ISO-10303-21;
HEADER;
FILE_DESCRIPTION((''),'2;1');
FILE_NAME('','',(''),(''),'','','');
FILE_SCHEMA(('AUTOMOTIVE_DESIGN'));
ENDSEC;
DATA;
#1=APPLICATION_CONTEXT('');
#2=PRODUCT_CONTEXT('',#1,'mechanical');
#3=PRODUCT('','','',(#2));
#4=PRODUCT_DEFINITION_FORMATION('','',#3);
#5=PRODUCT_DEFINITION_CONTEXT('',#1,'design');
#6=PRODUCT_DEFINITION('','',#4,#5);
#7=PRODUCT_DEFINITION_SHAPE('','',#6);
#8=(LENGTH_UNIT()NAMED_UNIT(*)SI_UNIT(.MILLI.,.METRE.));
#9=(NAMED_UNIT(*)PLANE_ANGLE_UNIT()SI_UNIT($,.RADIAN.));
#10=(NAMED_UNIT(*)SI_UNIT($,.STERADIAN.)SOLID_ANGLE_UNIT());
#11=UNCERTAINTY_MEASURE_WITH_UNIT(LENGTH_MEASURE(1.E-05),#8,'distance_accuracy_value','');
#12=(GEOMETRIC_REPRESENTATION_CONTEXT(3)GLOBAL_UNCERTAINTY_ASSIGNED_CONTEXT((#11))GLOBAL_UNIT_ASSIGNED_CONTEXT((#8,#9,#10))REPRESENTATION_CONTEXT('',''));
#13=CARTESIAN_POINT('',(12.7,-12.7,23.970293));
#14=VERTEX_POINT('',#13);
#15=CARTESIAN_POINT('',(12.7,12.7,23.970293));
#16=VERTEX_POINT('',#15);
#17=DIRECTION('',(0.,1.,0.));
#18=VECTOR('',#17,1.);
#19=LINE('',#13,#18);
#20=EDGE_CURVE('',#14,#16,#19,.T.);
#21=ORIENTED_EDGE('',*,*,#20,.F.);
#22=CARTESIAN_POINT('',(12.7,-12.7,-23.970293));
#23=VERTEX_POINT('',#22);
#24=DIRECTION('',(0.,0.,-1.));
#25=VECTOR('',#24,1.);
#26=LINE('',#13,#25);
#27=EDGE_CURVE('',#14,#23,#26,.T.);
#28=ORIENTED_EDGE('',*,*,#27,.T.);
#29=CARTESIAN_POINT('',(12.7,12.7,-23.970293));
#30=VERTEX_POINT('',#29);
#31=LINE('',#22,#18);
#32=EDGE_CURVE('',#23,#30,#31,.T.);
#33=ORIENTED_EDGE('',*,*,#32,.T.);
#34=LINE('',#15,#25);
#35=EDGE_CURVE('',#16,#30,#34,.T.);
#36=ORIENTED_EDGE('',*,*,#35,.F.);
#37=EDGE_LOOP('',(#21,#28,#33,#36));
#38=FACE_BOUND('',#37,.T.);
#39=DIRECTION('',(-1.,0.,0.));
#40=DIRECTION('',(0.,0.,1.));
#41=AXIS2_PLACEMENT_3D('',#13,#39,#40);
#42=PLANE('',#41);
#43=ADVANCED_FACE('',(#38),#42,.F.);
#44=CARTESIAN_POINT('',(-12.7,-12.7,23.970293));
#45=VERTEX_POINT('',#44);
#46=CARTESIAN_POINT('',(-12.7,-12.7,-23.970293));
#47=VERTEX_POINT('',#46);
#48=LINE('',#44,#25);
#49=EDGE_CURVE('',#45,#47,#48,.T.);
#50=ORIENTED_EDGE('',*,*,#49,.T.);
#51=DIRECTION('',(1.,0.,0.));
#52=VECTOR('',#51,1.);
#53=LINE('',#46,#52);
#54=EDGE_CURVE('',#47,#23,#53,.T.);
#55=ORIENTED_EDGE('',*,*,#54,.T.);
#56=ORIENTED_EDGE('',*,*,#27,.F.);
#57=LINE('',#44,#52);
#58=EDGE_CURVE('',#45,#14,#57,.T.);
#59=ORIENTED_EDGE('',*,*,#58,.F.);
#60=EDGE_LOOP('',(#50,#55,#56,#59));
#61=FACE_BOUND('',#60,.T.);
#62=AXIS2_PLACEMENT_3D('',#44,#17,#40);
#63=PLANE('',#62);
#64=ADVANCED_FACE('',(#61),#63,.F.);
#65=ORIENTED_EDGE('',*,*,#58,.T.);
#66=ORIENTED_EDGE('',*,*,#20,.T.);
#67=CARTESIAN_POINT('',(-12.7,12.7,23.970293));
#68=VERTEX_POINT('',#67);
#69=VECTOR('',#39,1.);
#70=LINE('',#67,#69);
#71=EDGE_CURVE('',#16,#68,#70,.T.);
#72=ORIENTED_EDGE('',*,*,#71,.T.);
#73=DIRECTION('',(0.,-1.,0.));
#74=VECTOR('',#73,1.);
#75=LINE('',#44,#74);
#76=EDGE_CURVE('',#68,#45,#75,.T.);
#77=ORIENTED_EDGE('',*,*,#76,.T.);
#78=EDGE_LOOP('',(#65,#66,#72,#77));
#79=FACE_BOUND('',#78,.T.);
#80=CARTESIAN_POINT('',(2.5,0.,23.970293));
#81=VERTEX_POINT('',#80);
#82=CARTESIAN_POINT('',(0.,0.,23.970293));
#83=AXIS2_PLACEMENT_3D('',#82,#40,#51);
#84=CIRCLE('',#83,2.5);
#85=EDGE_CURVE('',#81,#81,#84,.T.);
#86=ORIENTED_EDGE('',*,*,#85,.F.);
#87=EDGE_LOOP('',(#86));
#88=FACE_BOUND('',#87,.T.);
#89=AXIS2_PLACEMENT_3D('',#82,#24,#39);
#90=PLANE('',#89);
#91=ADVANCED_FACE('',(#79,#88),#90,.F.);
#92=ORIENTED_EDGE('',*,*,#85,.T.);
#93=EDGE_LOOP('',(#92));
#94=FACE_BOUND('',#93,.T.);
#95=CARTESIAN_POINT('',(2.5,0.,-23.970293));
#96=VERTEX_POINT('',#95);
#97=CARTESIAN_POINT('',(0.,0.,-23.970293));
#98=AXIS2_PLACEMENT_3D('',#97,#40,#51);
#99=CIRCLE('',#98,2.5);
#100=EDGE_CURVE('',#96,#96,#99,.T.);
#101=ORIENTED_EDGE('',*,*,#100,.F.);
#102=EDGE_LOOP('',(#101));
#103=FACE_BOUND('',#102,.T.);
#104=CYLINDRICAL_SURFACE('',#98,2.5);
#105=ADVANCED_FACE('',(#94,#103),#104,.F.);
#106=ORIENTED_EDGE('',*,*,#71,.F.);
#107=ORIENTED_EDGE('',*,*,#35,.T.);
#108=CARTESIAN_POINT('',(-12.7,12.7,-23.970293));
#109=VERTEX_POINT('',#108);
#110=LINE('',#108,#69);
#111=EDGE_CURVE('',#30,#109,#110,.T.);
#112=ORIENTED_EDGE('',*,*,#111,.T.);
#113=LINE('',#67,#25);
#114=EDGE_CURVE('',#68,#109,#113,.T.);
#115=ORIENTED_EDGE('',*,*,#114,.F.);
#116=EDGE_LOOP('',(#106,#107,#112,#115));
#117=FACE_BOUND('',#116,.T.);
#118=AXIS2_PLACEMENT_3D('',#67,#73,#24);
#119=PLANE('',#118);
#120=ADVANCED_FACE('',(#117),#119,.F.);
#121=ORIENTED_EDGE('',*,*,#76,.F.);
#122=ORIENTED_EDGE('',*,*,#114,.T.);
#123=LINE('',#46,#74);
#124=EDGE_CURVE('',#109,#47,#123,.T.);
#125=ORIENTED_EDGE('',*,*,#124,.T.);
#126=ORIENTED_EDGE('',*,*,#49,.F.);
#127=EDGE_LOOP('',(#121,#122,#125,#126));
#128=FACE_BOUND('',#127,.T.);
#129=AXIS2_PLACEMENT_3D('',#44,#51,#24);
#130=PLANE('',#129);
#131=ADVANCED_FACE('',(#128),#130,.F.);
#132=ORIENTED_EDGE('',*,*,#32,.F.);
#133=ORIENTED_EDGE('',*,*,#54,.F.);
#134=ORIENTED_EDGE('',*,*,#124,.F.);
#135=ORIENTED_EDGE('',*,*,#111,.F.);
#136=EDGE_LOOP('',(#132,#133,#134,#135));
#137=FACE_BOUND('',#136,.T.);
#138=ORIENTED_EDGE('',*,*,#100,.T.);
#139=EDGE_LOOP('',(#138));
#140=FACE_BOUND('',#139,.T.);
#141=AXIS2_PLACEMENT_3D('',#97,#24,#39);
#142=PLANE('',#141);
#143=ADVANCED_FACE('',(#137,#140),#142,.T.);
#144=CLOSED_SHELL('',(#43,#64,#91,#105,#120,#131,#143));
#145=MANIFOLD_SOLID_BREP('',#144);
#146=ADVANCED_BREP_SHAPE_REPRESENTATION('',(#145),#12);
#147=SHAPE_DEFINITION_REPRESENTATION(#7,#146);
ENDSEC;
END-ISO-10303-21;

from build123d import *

# Parameters (mm, degrees)
SKETCH1_W           = 25.4
SKETCH1_H           = 25.4
BOSS_EXTRUDE1_DEPTH = 23.970292928
SKETCH2_R           = 2.5
CUT_EXTRUDE1_DEPTH  = 52.194528733


with BuildPart() as part:
    # Sketch1 → Boss-Extrude1 (new, symmetric)
    with BuildSketch(Plane.XY):
        Rectangle(SKETCH1_W, SKETCH1_H)
    extrude(amount=BOSS_EXTRUDE1_DEPTH, both=True)

    # Sketch2 → Cut-Extrude1 (cut, through all)
    with BuildSketch(Plane.XY.offset(23.970292928)):
        Circle(SKETCH2_R)
    extrude(amount=-CUT_EXTRUDE1_DEPTH, mode=Mode.SUBTRACT)


solid = part.part
